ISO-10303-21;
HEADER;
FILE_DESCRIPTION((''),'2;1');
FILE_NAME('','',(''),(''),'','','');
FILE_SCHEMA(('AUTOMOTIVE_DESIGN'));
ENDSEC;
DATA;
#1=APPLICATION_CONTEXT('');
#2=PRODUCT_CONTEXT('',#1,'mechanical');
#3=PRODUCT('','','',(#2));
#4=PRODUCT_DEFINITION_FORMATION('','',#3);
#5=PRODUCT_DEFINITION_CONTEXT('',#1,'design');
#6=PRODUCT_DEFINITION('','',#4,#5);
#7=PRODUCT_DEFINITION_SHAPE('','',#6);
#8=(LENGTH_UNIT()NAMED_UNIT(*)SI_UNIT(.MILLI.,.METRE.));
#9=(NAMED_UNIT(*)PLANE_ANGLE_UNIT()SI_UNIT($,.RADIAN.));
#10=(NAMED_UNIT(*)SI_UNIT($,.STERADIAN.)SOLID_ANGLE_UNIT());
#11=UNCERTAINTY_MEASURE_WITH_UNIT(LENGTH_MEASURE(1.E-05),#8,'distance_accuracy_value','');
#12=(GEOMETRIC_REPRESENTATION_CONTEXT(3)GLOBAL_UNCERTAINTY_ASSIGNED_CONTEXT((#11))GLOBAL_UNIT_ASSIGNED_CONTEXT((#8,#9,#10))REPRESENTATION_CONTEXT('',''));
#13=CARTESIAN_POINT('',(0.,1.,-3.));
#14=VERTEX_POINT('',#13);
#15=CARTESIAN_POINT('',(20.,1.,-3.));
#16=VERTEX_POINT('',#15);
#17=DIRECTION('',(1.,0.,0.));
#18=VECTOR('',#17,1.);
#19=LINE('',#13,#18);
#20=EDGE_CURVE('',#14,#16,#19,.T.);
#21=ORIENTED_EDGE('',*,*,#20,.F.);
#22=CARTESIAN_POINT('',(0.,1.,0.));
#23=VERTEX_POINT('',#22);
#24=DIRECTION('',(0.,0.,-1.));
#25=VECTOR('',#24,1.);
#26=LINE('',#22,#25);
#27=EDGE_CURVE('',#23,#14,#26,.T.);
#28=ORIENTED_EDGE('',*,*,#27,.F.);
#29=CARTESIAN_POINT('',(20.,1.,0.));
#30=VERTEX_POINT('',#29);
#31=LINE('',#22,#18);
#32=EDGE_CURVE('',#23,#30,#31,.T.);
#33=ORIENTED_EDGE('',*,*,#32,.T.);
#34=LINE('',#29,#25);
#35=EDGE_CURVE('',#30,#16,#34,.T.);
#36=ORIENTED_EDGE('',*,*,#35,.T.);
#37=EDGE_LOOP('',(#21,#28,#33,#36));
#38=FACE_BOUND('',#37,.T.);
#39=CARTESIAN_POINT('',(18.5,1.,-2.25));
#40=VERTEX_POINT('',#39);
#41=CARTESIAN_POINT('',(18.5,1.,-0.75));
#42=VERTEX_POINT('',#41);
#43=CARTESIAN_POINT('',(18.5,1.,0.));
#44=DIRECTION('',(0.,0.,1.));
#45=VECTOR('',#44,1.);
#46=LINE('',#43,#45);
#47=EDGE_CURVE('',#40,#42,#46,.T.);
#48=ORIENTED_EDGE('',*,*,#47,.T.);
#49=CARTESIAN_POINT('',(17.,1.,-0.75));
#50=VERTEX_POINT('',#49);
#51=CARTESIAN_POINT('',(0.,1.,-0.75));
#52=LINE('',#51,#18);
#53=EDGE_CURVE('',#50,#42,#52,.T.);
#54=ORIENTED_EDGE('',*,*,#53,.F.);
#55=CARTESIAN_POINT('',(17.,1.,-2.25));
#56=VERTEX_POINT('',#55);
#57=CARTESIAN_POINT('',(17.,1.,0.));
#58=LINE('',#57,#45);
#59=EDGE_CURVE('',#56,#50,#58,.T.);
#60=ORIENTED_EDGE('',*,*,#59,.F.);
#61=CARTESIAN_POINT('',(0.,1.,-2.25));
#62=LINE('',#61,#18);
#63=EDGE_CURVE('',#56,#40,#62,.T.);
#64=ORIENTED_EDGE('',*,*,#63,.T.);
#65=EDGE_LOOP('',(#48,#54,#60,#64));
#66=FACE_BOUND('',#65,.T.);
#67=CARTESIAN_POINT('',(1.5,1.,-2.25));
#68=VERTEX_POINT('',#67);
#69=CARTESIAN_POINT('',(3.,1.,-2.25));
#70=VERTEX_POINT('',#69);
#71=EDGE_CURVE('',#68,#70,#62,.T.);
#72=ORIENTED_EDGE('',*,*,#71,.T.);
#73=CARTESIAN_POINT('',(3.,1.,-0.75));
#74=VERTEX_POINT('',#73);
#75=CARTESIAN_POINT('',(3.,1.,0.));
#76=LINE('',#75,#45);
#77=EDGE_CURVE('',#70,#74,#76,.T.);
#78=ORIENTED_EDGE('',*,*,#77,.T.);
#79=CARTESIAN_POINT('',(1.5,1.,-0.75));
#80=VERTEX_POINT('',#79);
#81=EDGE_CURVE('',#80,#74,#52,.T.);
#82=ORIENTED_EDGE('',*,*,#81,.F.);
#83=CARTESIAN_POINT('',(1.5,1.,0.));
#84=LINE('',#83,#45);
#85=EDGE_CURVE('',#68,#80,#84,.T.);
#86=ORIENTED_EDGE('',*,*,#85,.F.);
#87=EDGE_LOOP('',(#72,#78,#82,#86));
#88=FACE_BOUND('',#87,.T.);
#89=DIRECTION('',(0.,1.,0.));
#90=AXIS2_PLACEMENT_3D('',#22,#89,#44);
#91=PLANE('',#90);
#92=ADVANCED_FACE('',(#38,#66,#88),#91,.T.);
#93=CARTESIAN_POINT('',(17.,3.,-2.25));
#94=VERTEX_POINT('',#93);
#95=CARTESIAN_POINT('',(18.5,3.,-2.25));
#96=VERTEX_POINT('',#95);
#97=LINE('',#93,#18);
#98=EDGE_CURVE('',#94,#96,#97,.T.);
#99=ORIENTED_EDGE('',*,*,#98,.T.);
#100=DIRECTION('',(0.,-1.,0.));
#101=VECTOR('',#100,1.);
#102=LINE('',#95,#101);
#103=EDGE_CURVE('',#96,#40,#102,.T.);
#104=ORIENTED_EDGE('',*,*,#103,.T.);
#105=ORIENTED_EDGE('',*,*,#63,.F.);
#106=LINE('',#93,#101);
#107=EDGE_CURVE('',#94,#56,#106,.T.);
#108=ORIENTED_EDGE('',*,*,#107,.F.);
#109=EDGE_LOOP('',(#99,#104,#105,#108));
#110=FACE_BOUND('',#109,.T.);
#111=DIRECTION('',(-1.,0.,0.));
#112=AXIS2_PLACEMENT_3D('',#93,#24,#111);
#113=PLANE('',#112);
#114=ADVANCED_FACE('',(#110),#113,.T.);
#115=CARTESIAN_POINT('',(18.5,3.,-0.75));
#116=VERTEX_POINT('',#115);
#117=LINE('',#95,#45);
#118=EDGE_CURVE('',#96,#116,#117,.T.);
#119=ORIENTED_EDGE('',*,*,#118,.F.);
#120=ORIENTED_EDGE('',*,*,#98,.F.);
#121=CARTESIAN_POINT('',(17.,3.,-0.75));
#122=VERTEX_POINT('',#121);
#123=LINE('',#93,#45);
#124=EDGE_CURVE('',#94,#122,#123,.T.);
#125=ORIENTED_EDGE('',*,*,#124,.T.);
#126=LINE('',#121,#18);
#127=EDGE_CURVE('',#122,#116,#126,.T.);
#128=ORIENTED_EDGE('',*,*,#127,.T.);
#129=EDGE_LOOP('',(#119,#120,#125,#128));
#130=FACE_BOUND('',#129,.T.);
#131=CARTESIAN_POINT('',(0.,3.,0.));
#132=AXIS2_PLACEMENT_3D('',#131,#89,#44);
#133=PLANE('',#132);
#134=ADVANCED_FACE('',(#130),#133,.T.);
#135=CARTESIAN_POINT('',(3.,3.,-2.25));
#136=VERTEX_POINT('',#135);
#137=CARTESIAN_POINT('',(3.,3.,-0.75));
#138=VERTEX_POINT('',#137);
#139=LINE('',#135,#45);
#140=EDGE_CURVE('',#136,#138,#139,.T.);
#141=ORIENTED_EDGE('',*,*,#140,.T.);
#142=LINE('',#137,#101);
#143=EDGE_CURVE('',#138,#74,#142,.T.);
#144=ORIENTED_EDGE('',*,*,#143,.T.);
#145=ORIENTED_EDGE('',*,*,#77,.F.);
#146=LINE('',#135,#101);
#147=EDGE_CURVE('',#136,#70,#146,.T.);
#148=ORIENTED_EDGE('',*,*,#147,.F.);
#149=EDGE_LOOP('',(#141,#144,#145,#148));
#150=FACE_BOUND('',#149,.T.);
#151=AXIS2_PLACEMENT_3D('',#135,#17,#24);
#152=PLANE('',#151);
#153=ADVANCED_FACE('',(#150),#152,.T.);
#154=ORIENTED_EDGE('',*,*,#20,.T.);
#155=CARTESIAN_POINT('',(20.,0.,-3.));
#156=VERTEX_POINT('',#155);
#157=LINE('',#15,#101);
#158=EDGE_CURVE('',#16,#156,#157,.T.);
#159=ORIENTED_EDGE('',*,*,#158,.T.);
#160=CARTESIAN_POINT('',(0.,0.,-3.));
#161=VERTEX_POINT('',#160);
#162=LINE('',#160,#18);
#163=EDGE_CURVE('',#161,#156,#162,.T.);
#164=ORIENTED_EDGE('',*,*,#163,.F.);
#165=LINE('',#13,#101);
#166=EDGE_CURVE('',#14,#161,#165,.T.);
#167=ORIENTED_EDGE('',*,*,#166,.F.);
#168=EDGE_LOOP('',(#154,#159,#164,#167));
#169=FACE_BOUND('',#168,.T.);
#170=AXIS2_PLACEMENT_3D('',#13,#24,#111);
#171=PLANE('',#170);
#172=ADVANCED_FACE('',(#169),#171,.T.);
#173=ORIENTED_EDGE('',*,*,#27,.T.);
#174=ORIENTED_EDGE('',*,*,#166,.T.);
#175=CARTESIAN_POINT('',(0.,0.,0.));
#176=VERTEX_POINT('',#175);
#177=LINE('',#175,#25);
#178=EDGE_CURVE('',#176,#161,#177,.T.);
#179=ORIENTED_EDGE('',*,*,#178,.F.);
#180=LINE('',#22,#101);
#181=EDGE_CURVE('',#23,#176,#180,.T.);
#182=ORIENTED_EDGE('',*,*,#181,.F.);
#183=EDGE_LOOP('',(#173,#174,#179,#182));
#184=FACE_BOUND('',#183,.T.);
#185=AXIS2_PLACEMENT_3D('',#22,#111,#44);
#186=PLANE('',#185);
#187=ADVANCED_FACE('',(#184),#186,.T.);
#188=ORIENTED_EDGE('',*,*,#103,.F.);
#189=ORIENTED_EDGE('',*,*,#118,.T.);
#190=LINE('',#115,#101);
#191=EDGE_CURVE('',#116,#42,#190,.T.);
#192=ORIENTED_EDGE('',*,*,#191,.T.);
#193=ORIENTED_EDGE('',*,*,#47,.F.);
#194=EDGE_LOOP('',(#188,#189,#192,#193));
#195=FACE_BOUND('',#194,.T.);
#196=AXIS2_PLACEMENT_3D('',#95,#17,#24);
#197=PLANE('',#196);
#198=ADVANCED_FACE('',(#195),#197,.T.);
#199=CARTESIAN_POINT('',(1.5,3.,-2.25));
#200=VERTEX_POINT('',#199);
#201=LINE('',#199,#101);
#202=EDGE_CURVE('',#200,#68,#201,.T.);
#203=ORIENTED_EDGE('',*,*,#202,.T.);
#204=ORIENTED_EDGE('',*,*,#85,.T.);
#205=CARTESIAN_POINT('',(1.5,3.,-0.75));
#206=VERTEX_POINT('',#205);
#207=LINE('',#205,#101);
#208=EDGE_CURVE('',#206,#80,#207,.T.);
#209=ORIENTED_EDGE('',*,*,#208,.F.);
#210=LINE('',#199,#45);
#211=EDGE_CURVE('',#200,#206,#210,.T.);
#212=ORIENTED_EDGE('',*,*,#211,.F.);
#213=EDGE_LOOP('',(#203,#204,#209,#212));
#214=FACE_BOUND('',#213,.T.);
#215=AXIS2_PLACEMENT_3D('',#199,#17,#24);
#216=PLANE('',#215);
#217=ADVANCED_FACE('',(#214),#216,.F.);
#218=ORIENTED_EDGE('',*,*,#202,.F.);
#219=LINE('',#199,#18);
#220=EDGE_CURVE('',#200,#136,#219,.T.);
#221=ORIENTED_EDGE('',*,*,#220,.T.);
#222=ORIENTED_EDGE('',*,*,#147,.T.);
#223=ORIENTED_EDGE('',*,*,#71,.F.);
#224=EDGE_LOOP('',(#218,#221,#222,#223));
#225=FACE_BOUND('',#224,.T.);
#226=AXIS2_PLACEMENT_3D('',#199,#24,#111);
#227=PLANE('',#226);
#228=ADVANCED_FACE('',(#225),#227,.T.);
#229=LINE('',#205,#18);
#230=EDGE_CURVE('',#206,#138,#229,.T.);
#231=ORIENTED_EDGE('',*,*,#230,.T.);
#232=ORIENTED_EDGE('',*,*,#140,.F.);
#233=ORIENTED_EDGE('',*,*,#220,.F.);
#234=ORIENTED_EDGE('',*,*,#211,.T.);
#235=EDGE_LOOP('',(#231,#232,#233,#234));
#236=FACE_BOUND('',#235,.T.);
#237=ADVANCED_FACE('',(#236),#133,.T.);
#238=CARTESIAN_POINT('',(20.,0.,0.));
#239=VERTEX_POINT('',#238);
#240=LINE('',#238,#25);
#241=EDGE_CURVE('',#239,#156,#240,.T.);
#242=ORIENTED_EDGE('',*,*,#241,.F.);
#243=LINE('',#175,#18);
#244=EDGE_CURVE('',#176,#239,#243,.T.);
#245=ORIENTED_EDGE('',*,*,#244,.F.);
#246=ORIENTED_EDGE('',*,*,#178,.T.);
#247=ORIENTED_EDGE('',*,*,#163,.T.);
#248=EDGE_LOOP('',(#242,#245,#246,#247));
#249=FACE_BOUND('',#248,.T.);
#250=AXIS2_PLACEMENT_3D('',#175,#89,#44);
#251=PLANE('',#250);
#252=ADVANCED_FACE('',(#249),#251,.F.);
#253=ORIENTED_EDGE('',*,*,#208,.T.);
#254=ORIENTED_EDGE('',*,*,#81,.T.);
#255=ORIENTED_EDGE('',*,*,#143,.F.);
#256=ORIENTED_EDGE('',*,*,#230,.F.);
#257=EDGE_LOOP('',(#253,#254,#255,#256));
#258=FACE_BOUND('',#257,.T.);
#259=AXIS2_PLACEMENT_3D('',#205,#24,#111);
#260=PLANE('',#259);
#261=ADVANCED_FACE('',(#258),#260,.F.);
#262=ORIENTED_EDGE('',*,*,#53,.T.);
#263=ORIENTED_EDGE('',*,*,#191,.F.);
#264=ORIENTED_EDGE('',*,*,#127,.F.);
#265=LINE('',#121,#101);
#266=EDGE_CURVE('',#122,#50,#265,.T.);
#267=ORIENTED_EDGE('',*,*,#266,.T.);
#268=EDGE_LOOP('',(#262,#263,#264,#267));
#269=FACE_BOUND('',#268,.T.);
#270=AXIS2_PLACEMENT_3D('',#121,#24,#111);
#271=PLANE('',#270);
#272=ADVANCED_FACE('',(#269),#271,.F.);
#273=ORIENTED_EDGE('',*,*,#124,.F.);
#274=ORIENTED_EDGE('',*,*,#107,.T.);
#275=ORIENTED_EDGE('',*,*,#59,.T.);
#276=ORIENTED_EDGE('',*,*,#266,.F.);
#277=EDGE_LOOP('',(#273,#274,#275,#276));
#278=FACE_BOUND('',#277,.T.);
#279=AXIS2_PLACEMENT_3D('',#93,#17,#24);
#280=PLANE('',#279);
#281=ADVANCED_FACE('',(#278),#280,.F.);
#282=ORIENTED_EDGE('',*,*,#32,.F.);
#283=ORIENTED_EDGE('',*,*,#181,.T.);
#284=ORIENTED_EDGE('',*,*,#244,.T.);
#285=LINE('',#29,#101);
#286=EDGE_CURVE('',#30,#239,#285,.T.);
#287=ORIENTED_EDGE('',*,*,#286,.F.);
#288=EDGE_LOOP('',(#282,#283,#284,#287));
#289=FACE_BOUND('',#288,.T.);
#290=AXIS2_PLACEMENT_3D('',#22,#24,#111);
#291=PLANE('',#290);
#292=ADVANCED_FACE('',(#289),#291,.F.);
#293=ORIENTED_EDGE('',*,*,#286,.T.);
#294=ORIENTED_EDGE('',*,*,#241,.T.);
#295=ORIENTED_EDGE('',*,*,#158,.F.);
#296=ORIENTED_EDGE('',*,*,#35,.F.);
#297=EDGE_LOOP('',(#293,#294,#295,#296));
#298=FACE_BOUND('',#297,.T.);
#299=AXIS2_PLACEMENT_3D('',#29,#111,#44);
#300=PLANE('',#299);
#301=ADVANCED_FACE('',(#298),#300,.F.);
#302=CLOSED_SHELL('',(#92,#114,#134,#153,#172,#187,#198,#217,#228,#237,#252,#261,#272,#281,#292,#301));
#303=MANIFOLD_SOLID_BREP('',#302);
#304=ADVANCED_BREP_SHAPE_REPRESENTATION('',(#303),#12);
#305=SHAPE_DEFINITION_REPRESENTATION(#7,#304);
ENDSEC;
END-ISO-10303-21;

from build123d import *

# Parameters (mm, degrees)
SKETCH1_W           = 20
SKETCH1_H           = 3
SKETCH1_W_2         = 1.5
SKETCH1_H_2         = 1.5
BOSS_EXTRUDE1_DEPTH = 1
SKETCH1_3_W         = 1.5
SKETCH1_3_H         = 1.5
BOSS_EXTRUDE2_DEPTH = 3


with BuildPart() as part:
    # Sketch1 → Boss-Extrude1 (new body)
    with BuildSketch(Plane(origin=(0, 0, 0), x_dir=(1, 0, 0), z_dir=(0, 1, 0))):
        with Locations((10, 1.5)):
            Rectangle(SKETCH1_W, SKETCH1_H)
        with Locations((2.25, 1.5)):
            Rectangle(SKETCH1_W_2, SKETCH1_H_2, mode=Mode.SUBTRACT)
        with Locations((17.75, 1.5)):
            Rectangle(SKETCH1_W_2, SKETCH1_H_2, mode=Mode.SUBTRACT)
    extrude(amount=BOSS_EXTRUDE1_DEPTH)

    # Sketch1<3> → Boss-Extrude2 (add)
    with BuildSketch(Plane(origin=(0, 0, 0), x_dir=(1, 0, 0), z_dir=(0, 1, 0))):
        with Locations((2.25, 1.5)):
            Rectangle(SKETCH1_3_W, SKETCH1_3_H)
        with Locations((17.75, 1.5)):
            Rectangle(SKETCH1_3_W, SKETCH1_3_H)
    extrude(amount=BOSS_EXTRUDE2_DEPTH)


solid = part.part
